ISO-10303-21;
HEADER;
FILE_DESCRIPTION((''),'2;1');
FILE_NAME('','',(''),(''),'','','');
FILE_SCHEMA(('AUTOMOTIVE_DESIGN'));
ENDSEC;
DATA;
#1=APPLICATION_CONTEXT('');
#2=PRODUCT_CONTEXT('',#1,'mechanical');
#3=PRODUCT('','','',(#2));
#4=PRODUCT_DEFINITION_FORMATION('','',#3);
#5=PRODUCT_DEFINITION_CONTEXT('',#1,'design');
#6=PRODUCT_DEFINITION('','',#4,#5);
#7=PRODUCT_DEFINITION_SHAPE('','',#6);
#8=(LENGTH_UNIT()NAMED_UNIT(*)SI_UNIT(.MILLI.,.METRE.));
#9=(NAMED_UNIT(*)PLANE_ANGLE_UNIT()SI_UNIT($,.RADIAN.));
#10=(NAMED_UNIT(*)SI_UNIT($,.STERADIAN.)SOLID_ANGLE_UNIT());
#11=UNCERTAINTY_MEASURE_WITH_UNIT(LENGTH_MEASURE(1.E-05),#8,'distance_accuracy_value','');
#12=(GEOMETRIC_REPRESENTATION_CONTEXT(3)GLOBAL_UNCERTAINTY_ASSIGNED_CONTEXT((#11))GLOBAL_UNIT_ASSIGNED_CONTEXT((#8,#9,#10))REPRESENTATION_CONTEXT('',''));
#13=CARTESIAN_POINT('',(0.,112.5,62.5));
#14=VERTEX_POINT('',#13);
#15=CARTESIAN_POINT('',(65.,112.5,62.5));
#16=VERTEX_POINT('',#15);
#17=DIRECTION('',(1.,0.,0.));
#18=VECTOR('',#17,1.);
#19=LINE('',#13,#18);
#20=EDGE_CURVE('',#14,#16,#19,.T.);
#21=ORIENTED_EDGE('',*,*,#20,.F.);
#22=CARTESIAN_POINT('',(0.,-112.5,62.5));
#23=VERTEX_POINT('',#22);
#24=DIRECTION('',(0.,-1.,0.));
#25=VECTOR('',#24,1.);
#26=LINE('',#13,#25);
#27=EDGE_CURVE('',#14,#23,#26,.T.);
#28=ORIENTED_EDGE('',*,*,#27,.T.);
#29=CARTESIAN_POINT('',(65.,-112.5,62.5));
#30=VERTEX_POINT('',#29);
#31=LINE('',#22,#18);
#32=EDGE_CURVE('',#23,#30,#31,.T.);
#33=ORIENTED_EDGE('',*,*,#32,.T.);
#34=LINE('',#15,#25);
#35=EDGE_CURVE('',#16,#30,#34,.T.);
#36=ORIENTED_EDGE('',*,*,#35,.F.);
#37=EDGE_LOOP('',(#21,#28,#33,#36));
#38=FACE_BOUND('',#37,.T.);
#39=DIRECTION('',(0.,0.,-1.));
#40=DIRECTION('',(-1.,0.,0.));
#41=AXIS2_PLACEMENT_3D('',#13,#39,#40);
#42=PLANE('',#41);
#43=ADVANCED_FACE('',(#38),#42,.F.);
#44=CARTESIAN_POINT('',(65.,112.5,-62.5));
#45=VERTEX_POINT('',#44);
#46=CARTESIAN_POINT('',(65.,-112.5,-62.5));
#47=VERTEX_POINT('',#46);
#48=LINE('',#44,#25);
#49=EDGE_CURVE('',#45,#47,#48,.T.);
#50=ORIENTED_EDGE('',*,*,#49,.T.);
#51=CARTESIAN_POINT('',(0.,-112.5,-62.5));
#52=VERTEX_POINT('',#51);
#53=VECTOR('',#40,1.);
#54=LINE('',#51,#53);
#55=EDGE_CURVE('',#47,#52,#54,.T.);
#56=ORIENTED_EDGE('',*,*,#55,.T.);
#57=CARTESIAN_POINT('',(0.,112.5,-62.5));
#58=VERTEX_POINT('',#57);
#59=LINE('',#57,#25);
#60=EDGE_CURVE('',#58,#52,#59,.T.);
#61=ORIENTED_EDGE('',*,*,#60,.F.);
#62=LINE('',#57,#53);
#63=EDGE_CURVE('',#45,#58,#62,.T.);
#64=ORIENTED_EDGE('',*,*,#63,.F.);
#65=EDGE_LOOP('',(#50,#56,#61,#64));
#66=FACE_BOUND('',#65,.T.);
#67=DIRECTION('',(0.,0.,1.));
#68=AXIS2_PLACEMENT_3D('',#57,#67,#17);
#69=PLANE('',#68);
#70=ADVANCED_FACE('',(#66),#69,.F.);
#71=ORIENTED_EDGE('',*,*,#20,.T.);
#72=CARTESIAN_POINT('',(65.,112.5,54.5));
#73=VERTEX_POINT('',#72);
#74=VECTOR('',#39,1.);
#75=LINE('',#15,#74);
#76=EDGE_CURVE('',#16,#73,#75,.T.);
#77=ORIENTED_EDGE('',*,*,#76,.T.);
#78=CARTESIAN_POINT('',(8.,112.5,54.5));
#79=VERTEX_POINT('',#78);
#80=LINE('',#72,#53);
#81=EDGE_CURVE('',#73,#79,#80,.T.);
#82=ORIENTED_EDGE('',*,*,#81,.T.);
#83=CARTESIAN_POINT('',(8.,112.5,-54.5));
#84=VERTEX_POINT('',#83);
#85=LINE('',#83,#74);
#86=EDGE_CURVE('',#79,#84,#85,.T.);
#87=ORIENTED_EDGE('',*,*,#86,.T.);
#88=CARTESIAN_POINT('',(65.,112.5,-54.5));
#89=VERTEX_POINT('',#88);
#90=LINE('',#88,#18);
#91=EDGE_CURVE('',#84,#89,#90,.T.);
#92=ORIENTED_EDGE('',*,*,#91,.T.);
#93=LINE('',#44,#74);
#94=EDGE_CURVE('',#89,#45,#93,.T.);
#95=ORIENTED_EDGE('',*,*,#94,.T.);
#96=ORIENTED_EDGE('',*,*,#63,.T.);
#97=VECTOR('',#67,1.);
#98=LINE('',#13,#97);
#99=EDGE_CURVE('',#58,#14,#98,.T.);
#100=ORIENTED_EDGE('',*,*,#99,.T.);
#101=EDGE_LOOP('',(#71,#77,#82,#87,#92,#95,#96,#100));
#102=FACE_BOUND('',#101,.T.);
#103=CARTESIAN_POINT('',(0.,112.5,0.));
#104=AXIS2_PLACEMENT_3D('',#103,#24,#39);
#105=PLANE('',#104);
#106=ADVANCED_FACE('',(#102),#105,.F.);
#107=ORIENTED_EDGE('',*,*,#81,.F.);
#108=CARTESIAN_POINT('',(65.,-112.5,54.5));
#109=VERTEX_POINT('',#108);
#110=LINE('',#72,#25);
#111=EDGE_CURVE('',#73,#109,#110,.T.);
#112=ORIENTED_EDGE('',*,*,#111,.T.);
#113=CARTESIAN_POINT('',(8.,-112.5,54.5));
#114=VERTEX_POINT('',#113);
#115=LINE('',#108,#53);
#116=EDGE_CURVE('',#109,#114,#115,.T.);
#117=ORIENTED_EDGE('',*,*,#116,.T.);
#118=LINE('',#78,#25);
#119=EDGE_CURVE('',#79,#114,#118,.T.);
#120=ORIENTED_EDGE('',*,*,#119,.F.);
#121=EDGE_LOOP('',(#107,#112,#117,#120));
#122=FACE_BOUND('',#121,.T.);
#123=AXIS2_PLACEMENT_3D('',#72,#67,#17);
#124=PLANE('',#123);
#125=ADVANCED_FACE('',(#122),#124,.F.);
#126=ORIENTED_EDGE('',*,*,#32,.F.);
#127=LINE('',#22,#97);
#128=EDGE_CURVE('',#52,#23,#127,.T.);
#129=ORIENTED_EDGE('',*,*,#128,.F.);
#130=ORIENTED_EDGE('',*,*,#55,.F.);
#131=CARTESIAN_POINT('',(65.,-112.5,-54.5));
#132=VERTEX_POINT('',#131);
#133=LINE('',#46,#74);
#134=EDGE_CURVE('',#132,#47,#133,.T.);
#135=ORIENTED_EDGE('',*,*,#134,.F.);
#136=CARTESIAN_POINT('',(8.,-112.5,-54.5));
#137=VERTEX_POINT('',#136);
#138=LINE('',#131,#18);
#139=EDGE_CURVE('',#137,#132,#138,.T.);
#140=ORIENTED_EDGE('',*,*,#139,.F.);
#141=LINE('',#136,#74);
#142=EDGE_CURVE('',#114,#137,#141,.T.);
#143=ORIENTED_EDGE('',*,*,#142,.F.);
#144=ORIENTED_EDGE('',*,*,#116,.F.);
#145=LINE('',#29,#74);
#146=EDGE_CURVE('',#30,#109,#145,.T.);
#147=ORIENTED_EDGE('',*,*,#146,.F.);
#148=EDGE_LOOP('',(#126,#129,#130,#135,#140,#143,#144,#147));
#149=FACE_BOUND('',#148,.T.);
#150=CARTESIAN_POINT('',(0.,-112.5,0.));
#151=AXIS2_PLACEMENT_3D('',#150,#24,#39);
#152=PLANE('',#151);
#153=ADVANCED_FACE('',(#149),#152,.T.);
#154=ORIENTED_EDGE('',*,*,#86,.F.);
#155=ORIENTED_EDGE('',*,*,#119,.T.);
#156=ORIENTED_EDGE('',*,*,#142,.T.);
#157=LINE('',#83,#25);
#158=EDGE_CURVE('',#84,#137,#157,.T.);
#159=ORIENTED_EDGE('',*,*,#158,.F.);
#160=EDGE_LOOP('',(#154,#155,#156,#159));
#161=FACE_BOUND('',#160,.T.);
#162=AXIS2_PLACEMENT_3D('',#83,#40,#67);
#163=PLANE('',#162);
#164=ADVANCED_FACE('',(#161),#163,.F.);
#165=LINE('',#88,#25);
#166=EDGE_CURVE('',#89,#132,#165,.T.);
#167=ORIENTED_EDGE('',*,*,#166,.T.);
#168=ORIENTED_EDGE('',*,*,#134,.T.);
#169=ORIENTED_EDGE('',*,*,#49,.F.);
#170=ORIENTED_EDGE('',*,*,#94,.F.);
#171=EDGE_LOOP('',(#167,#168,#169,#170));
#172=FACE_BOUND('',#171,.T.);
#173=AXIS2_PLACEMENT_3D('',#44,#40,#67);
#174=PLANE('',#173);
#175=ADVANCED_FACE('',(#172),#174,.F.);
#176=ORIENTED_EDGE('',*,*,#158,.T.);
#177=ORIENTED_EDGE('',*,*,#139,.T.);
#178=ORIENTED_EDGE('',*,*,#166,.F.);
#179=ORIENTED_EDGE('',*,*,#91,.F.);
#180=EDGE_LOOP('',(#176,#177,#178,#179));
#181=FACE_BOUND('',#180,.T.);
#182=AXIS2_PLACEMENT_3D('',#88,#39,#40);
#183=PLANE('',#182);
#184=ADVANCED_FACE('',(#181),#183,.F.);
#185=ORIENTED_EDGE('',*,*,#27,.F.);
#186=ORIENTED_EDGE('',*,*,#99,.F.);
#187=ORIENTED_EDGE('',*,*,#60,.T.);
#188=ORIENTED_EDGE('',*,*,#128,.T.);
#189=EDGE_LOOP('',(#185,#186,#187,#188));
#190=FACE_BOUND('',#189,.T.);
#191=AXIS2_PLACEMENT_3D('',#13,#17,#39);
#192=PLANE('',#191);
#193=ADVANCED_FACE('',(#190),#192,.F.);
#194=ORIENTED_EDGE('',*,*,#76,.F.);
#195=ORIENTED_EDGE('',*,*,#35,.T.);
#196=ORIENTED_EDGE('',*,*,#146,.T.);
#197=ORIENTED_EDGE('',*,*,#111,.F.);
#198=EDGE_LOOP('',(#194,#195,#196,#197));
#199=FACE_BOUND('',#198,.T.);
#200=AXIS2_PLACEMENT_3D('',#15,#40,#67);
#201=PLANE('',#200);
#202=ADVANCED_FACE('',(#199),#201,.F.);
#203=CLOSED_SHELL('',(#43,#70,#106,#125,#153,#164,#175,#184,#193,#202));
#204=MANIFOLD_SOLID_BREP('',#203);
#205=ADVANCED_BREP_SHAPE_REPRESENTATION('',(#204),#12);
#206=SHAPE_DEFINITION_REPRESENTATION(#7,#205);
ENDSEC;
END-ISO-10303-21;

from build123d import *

# Parameters (mm, degrees)
BOSS_EXTRUDE1_DEPTH = 112.5


with BuildPart() as part:
    # Sketch1 → Boss-Extrude1 (new, symmetric)
    with BuildSketch(Plane(origin=(0, 0, 0), x_dir=(1, 0, 0), z_dir=(0, 1, 0))):
        Polygon((0, -62.5), (0, 62.5), (65, 62.5), (65, 54.5), (8, 54.5), (8, -54.5), (65, -54.5), (65, -62.5), align=None)
    extrude(amount=BOSS_EXTRUDE1_DEPTH, both=True)


solid = part.part
